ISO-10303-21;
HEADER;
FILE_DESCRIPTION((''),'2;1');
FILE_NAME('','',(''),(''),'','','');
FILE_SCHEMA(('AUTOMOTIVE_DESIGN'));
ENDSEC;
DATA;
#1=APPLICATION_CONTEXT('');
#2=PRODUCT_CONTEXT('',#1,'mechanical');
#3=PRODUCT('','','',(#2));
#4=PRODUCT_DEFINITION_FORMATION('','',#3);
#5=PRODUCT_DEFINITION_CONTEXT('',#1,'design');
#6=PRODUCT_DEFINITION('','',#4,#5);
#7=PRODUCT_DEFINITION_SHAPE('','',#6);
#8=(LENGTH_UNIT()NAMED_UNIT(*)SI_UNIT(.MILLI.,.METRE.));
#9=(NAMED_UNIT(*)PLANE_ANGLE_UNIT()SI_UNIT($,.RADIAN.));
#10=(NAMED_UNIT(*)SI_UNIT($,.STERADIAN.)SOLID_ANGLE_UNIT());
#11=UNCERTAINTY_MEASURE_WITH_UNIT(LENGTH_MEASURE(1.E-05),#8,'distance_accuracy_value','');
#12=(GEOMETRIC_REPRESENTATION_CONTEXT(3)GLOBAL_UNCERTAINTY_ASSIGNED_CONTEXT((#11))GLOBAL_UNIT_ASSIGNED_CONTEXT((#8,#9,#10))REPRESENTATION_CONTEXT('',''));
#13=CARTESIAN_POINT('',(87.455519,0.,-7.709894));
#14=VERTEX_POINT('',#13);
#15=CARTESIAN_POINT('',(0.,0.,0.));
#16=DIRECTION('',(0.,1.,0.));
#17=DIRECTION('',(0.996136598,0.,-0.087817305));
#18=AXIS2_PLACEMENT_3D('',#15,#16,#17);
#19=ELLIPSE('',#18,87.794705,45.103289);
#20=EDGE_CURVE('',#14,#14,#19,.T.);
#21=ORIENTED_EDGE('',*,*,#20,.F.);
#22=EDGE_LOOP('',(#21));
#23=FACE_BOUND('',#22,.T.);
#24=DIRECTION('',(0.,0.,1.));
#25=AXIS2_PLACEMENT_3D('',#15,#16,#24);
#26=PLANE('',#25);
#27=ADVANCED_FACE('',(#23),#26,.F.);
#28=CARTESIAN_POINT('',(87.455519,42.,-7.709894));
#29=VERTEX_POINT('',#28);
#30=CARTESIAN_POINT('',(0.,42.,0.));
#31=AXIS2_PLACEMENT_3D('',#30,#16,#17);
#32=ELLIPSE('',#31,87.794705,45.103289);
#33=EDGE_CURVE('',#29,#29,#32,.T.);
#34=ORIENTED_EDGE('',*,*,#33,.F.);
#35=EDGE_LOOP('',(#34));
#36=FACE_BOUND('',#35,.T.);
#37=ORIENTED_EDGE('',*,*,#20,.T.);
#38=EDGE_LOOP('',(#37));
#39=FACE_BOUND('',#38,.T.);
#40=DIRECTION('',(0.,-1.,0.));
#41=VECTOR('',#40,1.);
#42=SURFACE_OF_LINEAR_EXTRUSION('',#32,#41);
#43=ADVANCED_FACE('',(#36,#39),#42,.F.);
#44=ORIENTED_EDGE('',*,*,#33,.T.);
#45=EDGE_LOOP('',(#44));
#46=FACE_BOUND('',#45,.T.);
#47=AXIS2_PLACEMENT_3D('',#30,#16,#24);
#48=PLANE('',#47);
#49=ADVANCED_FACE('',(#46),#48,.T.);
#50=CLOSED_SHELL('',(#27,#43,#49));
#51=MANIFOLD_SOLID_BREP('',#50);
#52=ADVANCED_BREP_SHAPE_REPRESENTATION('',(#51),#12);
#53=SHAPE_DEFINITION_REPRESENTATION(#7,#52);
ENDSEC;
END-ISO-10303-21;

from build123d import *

# Parameters (mm, degrees)
CROQUIS1_RX             = 87.794705126
CROQUIS1_RY             = 45.103289396
SALIENTE_EXTRUIR1_DEPTH = 42


with BuildPart() as part:
    # Croquis1 → Saliente-Extruir1 (new body)
    with BuildSketch(Plane(origin=(0, 0, 0), x_dir=(1, 0, 0), z_dir=(0, 1, 0))):
        with Locations(Location((0, 0), (0, 0, 5.038050641))):
            Ellipse(CROQUIS1_RX, CROQUIS1_RY)
    extrude(amount=SALIENTE_EXTRUIR1_DEPTH)


solid = part.part
